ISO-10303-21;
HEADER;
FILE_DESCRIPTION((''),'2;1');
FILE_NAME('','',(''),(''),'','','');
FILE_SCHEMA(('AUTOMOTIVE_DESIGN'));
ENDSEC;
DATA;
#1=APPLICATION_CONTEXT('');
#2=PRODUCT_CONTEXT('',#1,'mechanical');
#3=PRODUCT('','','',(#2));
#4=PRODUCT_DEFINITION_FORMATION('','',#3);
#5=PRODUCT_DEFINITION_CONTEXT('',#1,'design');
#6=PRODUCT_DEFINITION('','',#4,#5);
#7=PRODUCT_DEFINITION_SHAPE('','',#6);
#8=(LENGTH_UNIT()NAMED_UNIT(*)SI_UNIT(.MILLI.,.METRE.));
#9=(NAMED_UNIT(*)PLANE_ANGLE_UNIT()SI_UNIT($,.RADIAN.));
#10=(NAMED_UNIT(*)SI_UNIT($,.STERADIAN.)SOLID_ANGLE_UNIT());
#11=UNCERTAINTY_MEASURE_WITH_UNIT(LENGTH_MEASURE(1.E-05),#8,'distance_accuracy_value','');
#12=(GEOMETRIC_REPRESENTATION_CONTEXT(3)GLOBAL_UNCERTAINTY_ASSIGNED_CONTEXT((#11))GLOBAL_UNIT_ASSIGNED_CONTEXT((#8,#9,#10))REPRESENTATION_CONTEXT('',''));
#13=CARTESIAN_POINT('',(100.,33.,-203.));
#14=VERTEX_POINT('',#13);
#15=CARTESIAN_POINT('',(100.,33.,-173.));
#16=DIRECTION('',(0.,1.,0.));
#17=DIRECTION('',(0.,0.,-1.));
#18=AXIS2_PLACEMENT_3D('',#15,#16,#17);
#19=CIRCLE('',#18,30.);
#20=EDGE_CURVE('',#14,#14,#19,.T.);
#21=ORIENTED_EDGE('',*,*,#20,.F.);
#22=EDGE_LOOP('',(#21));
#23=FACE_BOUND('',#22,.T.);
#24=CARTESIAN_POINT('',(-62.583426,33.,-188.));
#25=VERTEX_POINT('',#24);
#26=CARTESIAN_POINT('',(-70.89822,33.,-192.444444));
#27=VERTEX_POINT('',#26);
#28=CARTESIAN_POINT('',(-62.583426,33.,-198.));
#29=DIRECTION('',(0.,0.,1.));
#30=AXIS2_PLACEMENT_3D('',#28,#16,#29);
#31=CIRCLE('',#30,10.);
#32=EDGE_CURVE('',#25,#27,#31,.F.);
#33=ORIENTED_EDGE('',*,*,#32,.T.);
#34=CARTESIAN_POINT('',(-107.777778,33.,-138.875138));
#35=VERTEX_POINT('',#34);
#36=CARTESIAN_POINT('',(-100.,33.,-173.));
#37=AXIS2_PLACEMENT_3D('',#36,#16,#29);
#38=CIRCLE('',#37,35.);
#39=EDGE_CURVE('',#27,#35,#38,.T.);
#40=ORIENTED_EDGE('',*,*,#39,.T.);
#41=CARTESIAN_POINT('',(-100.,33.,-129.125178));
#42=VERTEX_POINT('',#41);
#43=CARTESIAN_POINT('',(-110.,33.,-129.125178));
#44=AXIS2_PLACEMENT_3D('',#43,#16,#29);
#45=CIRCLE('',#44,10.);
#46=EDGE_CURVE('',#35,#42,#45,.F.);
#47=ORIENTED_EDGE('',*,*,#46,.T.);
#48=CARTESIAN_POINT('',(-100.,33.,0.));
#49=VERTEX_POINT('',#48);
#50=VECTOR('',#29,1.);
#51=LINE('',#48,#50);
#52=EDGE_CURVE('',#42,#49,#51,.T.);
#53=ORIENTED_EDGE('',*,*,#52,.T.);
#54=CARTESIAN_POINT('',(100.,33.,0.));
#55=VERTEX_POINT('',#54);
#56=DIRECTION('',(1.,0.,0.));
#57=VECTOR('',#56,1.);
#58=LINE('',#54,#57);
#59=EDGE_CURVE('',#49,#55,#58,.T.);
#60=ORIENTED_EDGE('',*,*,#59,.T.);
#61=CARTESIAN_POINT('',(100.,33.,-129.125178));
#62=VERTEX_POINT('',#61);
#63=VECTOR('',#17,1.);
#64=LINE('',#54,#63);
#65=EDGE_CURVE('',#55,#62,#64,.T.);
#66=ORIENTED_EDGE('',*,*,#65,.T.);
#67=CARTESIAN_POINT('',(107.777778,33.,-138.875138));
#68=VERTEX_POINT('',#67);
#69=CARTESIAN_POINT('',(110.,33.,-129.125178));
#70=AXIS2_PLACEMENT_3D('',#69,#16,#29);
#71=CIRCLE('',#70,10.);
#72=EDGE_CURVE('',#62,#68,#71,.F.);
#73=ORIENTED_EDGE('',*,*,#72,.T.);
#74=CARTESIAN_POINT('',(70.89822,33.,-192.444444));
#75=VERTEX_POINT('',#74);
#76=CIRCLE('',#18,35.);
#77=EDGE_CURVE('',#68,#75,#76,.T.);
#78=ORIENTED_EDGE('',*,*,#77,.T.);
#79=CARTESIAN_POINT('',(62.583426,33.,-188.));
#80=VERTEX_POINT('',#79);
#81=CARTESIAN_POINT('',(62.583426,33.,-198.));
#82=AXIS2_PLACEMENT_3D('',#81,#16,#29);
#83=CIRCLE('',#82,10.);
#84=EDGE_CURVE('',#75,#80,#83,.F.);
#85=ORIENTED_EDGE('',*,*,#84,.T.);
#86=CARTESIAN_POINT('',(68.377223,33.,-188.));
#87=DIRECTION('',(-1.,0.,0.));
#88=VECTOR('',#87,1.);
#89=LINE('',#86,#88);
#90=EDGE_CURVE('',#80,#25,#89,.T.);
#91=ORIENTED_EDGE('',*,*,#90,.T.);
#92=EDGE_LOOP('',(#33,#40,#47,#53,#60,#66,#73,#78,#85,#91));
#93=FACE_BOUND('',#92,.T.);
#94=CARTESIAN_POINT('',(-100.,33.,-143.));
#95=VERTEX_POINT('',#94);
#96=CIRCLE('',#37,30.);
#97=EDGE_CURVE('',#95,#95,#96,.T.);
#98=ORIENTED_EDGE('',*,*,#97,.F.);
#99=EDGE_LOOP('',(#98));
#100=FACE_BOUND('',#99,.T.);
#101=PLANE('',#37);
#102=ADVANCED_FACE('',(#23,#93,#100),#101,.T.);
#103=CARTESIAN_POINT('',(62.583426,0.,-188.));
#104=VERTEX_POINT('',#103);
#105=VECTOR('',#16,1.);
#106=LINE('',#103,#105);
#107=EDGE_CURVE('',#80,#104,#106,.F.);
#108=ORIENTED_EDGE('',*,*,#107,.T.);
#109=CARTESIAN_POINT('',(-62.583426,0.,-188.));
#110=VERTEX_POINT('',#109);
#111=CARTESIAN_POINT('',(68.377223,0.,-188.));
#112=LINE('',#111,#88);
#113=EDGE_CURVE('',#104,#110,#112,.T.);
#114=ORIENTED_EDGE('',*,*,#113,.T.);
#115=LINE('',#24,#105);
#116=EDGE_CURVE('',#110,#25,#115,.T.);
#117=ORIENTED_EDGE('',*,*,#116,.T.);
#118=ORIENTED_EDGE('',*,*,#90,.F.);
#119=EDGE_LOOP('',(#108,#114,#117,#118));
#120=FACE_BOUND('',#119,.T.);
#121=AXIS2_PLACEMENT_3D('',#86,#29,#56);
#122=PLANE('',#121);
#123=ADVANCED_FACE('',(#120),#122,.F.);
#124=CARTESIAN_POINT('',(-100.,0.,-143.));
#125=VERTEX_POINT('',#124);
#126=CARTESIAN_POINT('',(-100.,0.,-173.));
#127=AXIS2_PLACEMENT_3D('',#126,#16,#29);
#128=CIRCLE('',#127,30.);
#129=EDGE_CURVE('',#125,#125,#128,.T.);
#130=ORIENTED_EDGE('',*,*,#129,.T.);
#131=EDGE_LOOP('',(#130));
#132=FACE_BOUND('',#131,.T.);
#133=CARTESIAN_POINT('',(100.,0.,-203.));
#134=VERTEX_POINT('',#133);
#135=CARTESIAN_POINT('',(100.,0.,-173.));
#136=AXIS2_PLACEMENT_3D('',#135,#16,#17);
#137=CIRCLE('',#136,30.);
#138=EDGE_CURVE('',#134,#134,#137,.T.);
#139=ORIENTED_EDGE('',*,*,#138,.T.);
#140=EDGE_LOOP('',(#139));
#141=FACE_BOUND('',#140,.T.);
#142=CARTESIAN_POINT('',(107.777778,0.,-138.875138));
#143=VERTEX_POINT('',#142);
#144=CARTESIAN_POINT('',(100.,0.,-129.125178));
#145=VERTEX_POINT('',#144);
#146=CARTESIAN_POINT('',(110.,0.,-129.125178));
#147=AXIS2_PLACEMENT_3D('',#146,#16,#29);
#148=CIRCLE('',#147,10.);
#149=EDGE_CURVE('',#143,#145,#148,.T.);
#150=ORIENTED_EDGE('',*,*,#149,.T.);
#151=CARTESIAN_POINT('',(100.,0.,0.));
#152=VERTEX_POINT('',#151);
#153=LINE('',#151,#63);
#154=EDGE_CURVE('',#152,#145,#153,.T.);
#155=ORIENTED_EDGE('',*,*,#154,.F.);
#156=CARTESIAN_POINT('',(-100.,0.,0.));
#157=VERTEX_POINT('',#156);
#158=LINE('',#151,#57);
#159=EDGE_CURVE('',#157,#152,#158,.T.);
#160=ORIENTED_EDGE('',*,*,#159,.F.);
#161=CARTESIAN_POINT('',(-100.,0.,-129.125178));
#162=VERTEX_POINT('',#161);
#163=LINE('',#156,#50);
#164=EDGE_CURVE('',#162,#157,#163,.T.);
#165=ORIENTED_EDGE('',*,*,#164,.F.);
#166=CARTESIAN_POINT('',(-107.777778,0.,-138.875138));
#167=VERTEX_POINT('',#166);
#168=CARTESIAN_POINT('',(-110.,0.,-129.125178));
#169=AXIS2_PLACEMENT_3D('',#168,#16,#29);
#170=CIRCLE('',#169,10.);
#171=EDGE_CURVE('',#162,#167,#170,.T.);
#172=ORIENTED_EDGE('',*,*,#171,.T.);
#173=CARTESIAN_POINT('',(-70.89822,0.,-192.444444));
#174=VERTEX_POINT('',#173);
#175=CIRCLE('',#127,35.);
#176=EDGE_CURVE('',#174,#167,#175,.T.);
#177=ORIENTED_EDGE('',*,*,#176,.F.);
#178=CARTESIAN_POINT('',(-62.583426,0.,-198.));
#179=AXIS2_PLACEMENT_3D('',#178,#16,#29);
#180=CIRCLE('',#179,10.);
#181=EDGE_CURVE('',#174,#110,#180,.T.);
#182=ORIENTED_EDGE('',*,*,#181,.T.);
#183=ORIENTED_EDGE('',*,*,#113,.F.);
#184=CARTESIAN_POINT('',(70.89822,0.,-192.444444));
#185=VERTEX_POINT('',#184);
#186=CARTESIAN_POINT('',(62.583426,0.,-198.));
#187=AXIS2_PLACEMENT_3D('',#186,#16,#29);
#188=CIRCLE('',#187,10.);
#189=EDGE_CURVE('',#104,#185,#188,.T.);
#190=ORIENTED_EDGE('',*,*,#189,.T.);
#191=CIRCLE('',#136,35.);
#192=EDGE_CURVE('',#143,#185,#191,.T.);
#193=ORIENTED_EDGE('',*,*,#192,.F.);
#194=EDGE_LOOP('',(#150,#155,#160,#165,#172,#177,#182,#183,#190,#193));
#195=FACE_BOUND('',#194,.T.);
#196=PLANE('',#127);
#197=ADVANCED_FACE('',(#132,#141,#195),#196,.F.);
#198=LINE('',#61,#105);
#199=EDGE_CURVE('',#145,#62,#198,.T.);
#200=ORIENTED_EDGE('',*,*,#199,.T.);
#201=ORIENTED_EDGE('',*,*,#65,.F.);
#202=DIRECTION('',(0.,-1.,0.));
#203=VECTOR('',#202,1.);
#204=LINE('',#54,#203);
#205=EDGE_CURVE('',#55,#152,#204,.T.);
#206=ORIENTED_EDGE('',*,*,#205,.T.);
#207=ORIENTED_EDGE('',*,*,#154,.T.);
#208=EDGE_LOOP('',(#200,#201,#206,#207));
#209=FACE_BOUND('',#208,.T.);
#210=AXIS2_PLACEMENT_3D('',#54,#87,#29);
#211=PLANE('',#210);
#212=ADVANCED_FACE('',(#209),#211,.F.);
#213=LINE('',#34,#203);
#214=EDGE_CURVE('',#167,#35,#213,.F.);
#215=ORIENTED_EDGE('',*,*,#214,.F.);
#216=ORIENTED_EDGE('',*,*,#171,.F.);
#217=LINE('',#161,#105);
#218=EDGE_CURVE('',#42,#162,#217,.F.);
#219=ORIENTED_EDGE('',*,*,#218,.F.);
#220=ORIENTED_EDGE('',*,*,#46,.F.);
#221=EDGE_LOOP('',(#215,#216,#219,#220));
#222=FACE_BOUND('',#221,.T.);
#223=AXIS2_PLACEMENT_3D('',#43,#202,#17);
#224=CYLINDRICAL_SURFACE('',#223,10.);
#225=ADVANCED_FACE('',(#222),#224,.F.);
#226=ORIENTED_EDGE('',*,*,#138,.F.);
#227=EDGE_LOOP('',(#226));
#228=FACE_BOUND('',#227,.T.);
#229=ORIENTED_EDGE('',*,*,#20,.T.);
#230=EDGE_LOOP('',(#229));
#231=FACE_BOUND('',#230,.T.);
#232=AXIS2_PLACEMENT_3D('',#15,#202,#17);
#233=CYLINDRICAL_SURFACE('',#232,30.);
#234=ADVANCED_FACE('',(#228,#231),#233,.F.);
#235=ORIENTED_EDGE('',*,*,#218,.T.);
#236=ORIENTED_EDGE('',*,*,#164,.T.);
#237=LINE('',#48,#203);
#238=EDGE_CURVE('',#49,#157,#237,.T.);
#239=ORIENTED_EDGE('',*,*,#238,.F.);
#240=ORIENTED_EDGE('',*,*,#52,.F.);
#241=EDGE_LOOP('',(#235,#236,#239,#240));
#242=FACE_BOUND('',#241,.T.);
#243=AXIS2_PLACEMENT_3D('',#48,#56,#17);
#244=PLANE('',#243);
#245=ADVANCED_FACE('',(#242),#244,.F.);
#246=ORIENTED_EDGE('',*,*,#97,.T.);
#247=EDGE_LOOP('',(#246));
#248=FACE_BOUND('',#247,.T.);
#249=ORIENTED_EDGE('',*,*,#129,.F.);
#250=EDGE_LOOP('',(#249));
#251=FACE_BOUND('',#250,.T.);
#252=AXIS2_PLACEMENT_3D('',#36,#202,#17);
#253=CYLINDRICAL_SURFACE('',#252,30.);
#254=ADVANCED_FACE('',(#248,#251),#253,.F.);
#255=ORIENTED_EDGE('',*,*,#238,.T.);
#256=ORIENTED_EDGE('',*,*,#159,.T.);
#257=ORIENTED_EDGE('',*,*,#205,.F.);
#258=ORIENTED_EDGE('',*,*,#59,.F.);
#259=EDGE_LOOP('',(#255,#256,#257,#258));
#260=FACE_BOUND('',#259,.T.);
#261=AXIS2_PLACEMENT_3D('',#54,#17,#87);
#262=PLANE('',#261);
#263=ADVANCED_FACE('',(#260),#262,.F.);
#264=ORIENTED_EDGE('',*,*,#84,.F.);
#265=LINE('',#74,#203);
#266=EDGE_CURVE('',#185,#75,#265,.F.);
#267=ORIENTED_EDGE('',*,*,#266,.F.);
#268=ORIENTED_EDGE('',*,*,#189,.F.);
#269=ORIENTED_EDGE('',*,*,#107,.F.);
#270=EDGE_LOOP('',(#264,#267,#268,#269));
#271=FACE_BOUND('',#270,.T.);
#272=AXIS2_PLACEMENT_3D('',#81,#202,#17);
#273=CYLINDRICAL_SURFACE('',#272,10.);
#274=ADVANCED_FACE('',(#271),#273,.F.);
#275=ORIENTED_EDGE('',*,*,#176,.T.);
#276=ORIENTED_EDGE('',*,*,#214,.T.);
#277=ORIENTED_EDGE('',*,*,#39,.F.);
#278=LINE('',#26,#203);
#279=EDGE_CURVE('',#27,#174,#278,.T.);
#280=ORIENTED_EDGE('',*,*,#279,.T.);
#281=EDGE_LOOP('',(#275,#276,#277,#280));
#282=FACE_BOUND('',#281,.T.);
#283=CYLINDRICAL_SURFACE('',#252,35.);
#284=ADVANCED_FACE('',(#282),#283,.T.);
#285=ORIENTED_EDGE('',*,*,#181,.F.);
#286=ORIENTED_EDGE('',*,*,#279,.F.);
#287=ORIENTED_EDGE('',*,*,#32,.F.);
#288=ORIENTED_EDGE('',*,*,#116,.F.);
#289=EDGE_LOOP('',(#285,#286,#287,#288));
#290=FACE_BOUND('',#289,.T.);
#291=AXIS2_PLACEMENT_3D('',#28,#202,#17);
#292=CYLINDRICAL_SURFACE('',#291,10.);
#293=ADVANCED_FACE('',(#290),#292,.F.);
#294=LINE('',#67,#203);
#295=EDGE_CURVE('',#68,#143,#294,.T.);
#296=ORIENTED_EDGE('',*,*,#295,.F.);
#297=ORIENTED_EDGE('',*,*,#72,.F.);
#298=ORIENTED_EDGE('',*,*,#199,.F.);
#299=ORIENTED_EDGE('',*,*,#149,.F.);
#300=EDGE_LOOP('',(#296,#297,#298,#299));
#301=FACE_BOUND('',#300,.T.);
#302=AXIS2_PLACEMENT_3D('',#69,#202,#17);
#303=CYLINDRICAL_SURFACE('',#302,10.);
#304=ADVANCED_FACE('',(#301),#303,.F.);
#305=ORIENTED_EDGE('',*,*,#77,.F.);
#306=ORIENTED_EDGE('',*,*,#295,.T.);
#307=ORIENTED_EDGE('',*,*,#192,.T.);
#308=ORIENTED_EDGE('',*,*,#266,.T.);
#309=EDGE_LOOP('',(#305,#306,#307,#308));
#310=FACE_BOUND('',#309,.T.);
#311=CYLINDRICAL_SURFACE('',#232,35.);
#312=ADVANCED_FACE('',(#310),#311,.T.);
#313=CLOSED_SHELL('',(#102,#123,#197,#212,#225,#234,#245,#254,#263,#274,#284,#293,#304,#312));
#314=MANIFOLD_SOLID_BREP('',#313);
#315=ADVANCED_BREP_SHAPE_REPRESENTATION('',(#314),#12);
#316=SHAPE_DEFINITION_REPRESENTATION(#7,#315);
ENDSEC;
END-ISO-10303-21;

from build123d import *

# Parameters (mm, degrees)
SKETCH1_R           = 30
BOSS_EXTRUDE1_DEPTH = 33
FILLET1_R           = 10


with BuildPart() as part:
    # Sketch1 → Boss-Extrude1 (new body)
    with BuildSketch(Plane(origin=(0, 0, 0), x_dir=(1, 0, 0), z_dir=(0, 1, 0))):
        with BuildLine():
            Line((100, 0), (-100, 0))
            Line((-100, 0), (-100, 138))
            ThreePointArc((-100, 138), (-129.580398915, 191.708286934), (-68.377223398, 188))
            Line((-68.377223398, 188), (68.377223398, 188))
            ThreePointArc((68.377223398, 188), (129.580398915, 191.708286934), (100, 138))
            Line((100, 138), (100, 0))
        make_face()
        with Locations((-100, 173)):
            Circle(SKETCH1_R, mode=Mode.SUBTRACT)
        with Locations((100, 173)):
            Circle(SKETCH1_R, mode=Mode.SUBTRACT)
    extrude(amount=BOSS_EXTRUDE1_DEPTH)

    # Fillet1
    fillet1_edges = [part.edges().sort_by_distance(p)[0] for p in [
        (-100, 16.5, -138),
        (-68.377223398, 16.5, -188),
        (68.377223398, 16.5, -188),
        (100, 16.5, -138),
    ]]
    fillet(fillet1_edges, radius=FILLET1_R)


solid = part.part
